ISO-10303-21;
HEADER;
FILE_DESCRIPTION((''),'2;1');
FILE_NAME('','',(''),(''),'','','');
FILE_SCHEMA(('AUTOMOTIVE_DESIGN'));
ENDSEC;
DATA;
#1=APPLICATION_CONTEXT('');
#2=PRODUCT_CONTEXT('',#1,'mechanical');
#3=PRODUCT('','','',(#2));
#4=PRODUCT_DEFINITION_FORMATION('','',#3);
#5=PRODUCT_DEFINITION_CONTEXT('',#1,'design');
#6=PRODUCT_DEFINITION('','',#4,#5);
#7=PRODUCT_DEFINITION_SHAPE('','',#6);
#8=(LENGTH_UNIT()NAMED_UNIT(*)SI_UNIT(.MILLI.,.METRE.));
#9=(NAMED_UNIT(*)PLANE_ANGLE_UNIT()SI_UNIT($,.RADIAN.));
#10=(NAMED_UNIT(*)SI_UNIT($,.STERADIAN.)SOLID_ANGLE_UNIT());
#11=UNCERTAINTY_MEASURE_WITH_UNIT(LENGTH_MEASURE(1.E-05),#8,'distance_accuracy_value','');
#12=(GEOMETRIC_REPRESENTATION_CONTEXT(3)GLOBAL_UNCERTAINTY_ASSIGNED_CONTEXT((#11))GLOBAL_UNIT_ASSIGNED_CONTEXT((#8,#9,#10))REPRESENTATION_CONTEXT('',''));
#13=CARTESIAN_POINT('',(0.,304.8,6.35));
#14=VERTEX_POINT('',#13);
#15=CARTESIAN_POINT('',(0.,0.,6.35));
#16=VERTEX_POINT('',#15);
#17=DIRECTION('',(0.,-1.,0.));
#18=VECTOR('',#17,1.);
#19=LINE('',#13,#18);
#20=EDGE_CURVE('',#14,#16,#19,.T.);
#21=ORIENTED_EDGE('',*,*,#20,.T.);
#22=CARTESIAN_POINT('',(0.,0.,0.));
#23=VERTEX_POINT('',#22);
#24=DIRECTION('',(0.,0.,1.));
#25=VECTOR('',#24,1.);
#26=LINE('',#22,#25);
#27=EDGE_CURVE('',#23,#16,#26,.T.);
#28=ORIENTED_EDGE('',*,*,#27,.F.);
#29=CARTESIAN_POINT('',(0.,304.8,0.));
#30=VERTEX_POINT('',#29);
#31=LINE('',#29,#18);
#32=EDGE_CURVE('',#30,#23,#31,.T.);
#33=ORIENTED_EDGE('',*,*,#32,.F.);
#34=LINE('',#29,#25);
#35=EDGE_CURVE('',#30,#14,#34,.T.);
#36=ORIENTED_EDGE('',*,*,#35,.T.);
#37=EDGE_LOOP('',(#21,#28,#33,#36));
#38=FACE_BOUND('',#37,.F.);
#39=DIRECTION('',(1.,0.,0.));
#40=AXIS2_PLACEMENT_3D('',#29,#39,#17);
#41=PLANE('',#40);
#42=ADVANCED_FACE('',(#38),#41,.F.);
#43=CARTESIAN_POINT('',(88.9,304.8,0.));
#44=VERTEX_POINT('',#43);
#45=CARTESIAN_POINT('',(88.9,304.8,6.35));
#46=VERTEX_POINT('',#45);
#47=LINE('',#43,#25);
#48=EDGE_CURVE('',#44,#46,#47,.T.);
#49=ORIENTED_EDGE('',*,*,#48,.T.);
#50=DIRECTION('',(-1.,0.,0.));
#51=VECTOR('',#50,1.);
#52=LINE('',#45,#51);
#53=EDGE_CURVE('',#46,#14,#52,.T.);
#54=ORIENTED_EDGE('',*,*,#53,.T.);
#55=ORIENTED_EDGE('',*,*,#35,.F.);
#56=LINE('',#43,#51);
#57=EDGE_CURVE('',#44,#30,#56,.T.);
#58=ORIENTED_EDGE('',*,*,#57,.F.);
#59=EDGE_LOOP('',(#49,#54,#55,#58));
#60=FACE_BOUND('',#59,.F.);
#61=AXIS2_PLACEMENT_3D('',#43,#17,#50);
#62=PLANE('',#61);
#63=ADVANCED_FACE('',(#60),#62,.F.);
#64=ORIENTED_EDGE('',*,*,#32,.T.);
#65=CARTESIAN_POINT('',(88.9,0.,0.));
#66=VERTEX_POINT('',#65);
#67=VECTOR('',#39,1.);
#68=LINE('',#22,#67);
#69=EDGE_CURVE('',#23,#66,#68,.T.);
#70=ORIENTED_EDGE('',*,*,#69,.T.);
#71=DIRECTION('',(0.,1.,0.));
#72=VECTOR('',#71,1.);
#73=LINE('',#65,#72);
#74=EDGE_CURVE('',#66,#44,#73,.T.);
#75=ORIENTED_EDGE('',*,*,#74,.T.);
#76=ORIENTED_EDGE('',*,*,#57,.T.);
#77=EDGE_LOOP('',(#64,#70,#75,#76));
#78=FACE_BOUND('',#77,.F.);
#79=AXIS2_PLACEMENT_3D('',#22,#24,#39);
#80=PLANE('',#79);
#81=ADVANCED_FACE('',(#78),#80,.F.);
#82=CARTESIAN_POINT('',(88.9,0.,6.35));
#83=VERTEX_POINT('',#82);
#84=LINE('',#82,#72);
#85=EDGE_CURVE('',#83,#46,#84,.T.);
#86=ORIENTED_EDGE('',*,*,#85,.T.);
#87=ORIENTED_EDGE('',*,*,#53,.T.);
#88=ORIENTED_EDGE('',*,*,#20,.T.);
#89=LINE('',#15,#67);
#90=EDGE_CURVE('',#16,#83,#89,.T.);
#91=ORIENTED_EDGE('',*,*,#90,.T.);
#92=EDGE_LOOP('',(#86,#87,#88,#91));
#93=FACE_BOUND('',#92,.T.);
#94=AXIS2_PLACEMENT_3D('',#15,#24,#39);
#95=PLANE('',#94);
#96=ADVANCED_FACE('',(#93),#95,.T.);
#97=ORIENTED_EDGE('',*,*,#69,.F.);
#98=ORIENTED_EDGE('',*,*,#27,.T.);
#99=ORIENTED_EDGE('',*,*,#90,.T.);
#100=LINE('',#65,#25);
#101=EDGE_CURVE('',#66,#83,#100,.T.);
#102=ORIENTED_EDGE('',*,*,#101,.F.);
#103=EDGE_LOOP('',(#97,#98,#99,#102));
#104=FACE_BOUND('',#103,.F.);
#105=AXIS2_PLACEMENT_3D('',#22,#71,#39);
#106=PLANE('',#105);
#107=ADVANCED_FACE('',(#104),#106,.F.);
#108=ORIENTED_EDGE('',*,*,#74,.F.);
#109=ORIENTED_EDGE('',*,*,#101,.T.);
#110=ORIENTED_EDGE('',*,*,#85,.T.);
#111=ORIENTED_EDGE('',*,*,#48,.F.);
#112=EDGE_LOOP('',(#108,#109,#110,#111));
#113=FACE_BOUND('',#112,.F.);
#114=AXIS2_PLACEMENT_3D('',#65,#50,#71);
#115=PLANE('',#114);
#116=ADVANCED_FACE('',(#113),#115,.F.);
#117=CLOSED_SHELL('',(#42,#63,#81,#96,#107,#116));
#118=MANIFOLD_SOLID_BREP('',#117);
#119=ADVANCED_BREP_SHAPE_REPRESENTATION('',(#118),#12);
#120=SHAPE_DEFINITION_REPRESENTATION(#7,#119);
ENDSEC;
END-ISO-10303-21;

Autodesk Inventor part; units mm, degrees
ref_plane "YZ Plane" through (0, 0, 0) normal (1, 0, 0) x (0, 1, 0)
ref_plane "XZ Plane" through (0, 0, 0) normal (0, 1, 0) x (-1, 0, 0)
ref_plane "XY Plane" through (0, 0, 0) normal (0, 0, 1) x (1, 0, 0)
sketch "Sketch1" plane through (0, 0, 0) normal (0, 0, 1) x (1, 0, 0)
  line L0 (0, 0) -> (88.9, 0)
  line L1 (88.9, 0) -> (88.9, 304.8)
  line L2 (88.9, 304.8) -> (0, 304.8)
  line L3 (0, 304.8) -> (0, 0)
  dimension "d0" = 88.9
  dimension "d1" = 304.8
extrude "Extrusion1" add sketch "Sketch1" along normal blind 6.35
properties part number "confiner_floor"
